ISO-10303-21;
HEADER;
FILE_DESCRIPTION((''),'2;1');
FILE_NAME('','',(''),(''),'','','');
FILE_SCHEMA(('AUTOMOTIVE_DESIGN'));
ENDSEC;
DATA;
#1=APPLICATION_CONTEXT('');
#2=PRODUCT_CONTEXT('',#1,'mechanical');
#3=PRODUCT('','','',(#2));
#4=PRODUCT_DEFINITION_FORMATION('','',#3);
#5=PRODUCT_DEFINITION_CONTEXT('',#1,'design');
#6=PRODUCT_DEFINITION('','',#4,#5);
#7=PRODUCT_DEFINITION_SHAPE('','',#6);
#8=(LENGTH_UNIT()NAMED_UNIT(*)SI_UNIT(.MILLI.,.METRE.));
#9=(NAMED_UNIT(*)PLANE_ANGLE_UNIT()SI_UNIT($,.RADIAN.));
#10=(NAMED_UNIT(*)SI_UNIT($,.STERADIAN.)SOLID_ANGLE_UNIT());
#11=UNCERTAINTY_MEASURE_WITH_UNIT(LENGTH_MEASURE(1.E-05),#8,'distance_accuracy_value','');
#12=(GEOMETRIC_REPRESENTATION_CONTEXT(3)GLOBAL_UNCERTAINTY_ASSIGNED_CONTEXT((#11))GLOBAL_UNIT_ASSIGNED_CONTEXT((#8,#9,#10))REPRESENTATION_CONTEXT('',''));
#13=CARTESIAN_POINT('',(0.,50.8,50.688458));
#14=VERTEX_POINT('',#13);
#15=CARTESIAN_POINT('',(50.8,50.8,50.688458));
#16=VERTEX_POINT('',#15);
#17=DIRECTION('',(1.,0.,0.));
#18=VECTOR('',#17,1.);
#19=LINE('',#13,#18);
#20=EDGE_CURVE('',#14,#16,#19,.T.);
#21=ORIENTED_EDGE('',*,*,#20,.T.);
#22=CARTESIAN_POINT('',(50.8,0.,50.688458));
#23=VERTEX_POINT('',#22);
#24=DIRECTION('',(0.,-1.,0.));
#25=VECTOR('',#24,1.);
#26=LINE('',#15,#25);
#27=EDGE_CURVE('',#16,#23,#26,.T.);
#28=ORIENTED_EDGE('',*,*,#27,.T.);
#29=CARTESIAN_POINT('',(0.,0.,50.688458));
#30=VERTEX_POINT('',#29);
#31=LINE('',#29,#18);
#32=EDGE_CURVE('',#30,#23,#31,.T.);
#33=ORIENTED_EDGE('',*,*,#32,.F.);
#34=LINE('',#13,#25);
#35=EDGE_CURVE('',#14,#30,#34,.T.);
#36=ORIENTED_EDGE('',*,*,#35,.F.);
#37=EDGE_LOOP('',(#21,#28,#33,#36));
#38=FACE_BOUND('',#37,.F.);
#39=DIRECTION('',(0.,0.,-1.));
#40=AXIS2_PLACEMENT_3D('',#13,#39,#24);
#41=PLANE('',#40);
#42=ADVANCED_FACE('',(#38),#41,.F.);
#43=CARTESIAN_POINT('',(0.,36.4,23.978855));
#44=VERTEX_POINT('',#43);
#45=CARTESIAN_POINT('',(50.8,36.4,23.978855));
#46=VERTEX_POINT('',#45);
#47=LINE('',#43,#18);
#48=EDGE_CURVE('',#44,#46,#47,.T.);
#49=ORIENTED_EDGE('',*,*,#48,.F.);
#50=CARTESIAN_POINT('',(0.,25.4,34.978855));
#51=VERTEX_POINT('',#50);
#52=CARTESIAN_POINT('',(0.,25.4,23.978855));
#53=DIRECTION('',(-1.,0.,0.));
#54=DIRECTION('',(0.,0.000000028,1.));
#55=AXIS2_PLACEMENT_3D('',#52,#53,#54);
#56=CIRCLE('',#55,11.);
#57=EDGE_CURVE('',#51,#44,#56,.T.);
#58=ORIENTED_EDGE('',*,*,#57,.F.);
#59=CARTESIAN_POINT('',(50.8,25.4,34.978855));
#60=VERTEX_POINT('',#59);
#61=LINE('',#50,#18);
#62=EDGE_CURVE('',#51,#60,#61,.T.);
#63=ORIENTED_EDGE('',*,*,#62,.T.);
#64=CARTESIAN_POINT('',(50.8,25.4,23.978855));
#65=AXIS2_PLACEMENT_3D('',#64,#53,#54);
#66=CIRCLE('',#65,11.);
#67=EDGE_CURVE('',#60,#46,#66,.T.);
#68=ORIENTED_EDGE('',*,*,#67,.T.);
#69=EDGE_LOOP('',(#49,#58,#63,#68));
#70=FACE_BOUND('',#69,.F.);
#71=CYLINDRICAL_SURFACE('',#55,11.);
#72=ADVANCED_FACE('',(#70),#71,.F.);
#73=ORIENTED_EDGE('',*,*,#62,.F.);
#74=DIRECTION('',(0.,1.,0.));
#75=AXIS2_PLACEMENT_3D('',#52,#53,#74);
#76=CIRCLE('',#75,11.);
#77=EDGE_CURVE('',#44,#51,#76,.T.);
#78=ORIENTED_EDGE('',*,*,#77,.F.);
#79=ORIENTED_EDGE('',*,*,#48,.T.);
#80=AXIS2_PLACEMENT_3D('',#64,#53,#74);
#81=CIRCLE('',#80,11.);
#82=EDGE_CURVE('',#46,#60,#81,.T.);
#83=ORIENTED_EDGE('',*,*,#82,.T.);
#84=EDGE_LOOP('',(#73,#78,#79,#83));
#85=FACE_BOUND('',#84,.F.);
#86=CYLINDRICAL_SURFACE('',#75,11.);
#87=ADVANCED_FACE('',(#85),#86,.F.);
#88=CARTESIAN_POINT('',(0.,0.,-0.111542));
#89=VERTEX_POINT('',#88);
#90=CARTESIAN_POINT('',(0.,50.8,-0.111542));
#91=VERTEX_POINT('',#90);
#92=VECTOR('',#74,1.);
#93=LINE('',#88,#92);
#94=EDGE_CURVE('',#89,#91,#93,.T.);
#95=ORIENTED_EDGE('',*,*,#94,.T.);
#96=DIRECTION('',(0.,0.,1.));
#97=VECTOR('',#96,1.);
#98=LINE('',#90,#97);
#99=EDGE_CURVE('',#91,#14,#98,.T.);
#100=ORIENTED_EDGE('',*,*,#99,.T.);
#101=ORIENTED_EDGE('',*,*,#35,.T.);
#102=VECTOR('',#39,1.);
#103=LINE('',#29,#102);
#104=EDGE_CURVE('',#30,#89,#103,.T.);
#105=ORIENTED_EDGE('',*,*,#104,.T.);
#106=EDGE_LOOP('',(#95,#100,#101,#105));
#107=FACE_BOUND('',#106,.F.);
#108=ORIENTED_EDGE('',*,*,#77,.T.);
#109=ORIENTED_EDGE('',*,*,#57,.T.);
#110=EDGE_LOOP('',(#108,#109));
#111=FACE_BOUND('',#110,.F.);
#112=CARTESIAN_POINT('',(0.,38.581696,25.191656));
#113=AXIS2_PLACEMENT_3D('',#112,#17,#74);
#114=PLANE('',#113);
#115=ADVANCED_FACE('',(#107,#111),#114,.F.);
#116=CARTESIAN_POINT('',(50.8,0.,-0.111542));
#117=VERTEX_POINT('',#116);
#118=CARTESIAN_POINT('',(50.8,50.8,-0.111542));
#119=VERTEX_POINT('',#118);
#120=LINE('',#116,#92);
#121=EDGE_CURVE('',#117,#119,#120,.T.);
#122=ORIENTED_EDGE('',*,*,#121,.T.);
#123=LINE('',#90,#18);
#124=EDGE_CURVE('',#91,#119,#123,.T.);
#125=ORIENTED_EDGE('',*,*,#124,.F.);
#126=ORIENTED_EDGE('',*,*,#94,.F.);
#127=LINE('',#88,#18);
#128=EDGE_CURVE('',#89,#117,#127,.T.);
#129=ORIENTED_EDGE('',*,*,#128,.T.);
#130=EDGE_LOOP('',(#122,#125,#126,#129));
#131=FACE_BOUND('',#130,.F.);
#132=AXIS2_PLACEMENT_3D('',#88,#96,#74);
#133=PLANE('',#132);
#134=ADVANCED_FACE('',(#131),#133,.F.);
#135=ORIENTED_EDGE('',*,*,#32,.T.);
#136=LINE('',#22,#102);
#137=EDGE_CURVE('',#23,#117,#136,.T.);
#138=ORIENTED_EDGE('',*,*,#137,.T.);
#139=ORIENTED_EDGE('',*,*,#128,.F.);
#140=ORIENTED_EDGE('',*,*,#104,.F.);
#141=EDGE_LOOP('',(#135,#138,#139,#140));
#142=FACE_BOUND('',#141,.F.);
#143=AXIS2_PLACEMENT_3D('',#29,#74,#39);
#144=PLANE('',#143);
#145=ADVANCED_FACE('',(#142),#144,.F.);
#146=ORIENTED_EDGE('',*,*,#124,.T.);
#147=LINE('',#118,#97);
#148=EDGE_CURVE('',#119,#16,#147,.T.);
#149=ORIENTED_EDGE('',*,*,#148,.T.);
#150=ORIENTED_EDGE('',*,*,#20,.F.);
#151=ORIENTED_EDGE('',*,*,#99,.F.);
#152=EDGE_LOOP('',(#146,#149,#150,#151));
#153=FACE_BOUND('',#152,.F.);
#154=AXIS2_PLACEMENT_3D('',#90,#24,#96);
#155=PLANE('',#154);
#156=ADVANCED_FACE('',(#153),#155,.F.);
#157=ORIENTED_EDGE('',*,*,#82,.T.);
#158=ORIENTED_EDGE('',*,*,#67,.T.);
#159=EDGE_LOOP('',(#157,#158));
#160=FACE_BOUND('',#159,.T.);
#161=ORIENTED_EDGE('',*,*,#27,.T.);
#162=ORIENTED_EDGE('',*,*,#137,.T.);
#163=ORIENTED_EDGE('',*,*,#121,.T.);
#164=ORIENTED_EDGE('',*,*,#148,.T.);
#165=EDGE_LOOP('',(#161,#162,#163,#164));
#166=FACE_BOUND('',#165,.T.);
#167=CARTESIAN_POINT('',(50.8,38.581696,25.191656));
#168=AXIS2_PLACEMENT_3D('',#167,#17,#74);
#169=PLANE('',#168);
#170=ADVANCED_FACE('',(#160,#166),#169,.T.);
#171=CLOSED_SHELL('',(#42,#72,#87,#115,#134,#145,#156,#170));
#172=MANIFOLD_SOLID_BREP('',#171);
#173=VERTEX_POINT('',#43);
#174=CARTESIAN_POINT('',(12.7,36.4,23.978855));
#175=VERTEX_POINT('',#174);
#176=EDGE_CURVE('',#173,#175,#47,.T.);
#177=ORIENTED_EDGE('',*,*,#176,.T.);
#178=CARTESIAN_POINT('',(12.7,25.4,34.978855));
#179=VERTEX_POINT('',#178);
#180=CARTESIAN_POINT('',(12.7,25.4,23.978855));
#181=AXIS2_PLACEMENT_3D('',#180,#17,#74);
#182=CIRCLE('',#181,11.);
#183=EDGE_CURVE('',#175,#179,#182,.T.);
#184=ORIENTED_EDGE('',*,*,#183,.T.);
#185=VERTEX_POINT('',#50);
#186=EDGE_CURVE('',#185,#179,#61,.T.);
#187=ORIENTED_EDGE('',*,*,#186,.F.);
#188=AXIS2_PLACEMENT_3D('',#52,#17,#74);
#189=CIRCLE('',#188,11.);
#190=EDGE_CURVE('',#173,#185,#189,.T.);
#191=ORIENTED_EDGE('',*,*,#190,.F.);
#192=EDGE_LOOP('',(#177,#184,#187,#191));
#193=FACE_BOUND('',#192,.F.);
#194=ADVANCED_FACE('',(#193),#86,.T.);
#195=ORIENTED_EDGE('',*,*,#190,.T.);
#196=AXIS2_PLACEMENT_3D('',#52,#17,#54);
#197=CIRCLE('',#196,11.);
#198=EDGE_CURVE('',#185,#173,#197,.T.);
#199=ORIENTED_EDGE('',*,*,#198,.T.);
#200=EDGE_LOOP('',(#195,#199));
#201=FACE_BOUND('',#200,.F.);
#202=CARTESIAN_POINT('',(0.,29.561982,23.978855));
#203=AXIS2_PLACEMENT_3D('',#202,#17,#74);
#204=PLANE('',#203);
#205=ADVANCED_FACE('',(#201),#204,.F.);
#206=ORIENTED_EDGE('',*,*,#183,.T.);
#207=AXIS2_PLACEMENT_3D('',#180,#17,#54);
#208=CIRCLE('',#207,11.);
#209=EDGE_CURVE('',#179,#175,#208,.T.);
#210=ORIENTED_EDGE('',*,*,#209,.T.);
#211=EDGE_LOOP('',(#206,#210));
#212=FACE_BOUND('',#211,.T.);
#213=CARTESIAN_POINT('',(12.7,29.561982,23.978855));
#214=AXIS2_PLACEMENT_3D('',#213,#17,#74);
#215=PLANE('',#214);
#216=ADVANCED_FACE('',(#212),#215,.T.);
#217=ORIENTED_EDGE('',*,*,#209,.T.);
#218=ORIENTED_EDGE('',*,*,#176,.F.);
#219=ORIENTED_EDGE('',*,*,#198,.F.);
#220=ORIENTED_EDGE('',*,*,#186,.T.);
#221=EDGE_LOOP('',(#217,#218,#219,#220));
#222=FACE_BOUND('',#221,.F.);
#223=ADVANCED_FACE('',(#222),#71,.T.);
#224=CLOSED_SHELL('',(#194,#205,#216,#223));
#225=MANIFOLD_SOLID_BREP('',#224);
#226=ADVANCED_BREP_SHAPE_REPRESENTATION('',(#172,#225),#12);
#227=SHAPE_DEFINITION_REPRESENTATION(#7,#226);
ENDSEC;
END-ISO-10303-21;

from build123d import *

# Parameters (mm, degrees)
F1_DEPTH = 50.8
F2_DEPTH = 12.7


with BuildPart() as f1:
    # F0 (on Right) → F1 (new body)
    with BuildSketch(Plane.YZ):
        with BuildLine():
            Line((50.8, 50.6884578901), (25.4, 50.6884578901))
            Line((25.4, 50.6884578901), (25.4, 34.9788552748))
            ThreePointArc((25.4, 34.9788552748), (33.1781743946, 31.7570297594), (36.399999693, 23.9788552748))
            ThreePointArc((36.399999693, 23.9788552748), (33.1781743946, 16.2006807903), (25.4, 12.9788552748))
            Line((25.4, 12.9788552748), (25.4, -0.1115421099))
            Line((25.4, -0.1115421099), (50.8, -0.1115421099))
            Line((50.8, -0.1115421099), (50.8, 50.6884578901))
        make_face()
        with BuildLine():
            Line((25.4, 50.6884578901), (0, 50.6884578901))
            Line((0, 50.6884578901), (0, -0.1115421099))
            Line((0, -0.1115421099), (25.4, -0.1115421099))
            Line((25.4, -0.1115421099), (25.4, 12.9788552748))
            ThreePointArc((25.4, 12.9788552748), (14.399999693, 23.9788552748), (25.4, 34.9788552748))
            Line((25.4, 34.9788552748), (25.4, 50.6884578901))
        make_face()
    extrude(amount=F1_DEPTH)


with BuildPart() as f2:
    # F0 (on Right) → F2 (new body)
    with BuildSketch(Plane.YZ):
        with BuildLine():
            ThreePointArc((36.399999693, 23.9788552748), (33.1781743946, 31.7570297594), (25.4, 34.9788552748))
            Line((25.4, 34.9788552748), (25.4, 12.9788552748))
            ThreePointArc((25.4, 12.9788552748), (33.1781743946, 16.2006807903), (36.399999693, 23.9788552748))
        make_face()
        with BuildLine():
            Line((25.4, 12.9788552748), (25.4, 34.9788552748))
            ThreePointArc((25.4, 34.9788552748), (14.399999693, 23.9788552748), (25.4, 12.9788552748))
        make_face()
    extrude(amount=F2_DEPTH)


solid = Compound([f1.part, f2.part])
